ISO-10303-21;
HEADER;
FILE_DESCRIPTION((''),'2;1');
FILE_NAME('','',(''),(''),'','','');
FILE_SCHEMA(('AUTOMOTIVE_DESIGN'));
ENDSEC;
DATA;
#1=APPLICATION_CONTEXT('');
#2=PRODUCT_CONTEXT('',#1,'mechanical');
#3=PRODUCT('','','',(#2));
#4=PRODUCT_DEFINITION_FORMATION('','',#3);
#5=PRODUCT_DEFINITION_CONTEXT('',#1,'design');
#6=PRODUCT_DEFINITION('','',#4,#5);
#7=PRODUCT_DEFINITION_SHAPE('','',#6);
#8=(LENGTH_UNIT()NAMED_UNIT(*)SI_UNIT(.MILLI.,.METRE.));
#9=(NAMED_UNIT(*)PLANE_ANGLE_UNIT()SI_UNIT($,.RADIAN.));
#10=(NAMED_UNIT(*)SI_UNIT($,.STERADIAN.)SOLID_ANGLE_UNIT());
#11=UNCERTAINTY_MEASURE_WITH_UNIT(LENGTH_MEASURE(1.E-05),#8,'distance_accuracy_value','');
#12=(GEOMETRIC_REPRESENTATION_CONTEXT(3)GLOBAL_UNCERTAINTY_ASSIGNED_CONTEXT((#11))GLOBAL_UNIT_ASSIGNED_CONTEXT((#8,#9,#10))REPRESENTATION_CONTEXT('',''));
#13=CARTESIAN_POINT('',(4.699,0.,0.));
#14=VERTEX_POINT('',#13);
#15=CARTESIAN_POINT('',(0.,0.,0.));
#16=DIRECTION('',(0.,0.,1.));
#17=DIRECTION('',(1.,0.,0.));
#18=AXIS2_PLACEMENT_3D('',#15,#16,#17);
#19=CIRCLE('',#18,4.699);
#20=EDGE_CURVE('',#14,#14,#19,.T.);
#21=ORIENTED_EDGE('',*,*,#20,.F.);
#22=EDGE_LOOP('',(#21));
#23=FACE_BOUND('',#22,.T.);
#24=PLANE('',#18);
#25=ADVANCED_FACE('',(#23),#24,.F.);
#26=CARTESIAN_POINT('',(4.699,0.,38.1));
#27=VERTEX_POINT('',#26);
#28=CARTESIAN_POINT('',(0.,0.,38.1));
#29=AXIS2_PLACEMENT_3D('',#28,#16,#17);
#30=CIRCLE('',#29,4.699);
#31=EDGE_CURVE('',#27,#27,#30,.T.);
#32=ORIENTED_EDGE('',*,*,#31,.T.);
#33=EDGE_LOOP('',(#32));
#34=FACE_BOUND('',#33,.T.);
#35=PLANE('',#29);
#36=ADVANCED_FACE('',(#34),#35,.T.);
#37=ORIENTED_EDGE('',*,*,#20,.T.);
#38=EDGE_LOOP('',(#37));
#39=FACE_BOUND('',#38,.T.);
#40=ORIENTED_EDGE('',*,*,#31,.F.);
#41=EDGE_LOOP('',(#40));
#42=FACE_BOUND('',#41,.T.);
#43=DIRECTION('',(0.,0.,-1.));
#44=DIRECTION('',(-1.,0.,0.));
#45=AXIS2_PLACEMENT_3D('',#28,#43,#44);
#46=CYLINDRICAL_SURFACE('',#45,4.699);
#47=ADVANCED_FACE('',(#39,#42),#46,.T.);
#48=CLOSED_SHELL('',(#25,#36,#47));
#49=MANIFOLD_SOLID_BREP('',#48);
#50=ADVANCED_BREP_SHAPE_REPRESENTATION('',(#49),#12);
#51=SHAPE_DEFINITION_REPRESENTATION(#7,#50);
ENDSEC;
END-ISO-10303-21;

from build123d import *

# Parameters (mm, degrees)
SKETCH1_R          = 4.699
BASE_EXTRUDE_DEPTH = 38.1


with BuildPart() as part:
    # Sketch1 → Base-Extrude (new body)
    with BuildSketch(Plane.XY):
        Circle(SKETCH1_R)
    extrude(amount=BASE_EXTRUDE_DEPTH)


solid = part.part
